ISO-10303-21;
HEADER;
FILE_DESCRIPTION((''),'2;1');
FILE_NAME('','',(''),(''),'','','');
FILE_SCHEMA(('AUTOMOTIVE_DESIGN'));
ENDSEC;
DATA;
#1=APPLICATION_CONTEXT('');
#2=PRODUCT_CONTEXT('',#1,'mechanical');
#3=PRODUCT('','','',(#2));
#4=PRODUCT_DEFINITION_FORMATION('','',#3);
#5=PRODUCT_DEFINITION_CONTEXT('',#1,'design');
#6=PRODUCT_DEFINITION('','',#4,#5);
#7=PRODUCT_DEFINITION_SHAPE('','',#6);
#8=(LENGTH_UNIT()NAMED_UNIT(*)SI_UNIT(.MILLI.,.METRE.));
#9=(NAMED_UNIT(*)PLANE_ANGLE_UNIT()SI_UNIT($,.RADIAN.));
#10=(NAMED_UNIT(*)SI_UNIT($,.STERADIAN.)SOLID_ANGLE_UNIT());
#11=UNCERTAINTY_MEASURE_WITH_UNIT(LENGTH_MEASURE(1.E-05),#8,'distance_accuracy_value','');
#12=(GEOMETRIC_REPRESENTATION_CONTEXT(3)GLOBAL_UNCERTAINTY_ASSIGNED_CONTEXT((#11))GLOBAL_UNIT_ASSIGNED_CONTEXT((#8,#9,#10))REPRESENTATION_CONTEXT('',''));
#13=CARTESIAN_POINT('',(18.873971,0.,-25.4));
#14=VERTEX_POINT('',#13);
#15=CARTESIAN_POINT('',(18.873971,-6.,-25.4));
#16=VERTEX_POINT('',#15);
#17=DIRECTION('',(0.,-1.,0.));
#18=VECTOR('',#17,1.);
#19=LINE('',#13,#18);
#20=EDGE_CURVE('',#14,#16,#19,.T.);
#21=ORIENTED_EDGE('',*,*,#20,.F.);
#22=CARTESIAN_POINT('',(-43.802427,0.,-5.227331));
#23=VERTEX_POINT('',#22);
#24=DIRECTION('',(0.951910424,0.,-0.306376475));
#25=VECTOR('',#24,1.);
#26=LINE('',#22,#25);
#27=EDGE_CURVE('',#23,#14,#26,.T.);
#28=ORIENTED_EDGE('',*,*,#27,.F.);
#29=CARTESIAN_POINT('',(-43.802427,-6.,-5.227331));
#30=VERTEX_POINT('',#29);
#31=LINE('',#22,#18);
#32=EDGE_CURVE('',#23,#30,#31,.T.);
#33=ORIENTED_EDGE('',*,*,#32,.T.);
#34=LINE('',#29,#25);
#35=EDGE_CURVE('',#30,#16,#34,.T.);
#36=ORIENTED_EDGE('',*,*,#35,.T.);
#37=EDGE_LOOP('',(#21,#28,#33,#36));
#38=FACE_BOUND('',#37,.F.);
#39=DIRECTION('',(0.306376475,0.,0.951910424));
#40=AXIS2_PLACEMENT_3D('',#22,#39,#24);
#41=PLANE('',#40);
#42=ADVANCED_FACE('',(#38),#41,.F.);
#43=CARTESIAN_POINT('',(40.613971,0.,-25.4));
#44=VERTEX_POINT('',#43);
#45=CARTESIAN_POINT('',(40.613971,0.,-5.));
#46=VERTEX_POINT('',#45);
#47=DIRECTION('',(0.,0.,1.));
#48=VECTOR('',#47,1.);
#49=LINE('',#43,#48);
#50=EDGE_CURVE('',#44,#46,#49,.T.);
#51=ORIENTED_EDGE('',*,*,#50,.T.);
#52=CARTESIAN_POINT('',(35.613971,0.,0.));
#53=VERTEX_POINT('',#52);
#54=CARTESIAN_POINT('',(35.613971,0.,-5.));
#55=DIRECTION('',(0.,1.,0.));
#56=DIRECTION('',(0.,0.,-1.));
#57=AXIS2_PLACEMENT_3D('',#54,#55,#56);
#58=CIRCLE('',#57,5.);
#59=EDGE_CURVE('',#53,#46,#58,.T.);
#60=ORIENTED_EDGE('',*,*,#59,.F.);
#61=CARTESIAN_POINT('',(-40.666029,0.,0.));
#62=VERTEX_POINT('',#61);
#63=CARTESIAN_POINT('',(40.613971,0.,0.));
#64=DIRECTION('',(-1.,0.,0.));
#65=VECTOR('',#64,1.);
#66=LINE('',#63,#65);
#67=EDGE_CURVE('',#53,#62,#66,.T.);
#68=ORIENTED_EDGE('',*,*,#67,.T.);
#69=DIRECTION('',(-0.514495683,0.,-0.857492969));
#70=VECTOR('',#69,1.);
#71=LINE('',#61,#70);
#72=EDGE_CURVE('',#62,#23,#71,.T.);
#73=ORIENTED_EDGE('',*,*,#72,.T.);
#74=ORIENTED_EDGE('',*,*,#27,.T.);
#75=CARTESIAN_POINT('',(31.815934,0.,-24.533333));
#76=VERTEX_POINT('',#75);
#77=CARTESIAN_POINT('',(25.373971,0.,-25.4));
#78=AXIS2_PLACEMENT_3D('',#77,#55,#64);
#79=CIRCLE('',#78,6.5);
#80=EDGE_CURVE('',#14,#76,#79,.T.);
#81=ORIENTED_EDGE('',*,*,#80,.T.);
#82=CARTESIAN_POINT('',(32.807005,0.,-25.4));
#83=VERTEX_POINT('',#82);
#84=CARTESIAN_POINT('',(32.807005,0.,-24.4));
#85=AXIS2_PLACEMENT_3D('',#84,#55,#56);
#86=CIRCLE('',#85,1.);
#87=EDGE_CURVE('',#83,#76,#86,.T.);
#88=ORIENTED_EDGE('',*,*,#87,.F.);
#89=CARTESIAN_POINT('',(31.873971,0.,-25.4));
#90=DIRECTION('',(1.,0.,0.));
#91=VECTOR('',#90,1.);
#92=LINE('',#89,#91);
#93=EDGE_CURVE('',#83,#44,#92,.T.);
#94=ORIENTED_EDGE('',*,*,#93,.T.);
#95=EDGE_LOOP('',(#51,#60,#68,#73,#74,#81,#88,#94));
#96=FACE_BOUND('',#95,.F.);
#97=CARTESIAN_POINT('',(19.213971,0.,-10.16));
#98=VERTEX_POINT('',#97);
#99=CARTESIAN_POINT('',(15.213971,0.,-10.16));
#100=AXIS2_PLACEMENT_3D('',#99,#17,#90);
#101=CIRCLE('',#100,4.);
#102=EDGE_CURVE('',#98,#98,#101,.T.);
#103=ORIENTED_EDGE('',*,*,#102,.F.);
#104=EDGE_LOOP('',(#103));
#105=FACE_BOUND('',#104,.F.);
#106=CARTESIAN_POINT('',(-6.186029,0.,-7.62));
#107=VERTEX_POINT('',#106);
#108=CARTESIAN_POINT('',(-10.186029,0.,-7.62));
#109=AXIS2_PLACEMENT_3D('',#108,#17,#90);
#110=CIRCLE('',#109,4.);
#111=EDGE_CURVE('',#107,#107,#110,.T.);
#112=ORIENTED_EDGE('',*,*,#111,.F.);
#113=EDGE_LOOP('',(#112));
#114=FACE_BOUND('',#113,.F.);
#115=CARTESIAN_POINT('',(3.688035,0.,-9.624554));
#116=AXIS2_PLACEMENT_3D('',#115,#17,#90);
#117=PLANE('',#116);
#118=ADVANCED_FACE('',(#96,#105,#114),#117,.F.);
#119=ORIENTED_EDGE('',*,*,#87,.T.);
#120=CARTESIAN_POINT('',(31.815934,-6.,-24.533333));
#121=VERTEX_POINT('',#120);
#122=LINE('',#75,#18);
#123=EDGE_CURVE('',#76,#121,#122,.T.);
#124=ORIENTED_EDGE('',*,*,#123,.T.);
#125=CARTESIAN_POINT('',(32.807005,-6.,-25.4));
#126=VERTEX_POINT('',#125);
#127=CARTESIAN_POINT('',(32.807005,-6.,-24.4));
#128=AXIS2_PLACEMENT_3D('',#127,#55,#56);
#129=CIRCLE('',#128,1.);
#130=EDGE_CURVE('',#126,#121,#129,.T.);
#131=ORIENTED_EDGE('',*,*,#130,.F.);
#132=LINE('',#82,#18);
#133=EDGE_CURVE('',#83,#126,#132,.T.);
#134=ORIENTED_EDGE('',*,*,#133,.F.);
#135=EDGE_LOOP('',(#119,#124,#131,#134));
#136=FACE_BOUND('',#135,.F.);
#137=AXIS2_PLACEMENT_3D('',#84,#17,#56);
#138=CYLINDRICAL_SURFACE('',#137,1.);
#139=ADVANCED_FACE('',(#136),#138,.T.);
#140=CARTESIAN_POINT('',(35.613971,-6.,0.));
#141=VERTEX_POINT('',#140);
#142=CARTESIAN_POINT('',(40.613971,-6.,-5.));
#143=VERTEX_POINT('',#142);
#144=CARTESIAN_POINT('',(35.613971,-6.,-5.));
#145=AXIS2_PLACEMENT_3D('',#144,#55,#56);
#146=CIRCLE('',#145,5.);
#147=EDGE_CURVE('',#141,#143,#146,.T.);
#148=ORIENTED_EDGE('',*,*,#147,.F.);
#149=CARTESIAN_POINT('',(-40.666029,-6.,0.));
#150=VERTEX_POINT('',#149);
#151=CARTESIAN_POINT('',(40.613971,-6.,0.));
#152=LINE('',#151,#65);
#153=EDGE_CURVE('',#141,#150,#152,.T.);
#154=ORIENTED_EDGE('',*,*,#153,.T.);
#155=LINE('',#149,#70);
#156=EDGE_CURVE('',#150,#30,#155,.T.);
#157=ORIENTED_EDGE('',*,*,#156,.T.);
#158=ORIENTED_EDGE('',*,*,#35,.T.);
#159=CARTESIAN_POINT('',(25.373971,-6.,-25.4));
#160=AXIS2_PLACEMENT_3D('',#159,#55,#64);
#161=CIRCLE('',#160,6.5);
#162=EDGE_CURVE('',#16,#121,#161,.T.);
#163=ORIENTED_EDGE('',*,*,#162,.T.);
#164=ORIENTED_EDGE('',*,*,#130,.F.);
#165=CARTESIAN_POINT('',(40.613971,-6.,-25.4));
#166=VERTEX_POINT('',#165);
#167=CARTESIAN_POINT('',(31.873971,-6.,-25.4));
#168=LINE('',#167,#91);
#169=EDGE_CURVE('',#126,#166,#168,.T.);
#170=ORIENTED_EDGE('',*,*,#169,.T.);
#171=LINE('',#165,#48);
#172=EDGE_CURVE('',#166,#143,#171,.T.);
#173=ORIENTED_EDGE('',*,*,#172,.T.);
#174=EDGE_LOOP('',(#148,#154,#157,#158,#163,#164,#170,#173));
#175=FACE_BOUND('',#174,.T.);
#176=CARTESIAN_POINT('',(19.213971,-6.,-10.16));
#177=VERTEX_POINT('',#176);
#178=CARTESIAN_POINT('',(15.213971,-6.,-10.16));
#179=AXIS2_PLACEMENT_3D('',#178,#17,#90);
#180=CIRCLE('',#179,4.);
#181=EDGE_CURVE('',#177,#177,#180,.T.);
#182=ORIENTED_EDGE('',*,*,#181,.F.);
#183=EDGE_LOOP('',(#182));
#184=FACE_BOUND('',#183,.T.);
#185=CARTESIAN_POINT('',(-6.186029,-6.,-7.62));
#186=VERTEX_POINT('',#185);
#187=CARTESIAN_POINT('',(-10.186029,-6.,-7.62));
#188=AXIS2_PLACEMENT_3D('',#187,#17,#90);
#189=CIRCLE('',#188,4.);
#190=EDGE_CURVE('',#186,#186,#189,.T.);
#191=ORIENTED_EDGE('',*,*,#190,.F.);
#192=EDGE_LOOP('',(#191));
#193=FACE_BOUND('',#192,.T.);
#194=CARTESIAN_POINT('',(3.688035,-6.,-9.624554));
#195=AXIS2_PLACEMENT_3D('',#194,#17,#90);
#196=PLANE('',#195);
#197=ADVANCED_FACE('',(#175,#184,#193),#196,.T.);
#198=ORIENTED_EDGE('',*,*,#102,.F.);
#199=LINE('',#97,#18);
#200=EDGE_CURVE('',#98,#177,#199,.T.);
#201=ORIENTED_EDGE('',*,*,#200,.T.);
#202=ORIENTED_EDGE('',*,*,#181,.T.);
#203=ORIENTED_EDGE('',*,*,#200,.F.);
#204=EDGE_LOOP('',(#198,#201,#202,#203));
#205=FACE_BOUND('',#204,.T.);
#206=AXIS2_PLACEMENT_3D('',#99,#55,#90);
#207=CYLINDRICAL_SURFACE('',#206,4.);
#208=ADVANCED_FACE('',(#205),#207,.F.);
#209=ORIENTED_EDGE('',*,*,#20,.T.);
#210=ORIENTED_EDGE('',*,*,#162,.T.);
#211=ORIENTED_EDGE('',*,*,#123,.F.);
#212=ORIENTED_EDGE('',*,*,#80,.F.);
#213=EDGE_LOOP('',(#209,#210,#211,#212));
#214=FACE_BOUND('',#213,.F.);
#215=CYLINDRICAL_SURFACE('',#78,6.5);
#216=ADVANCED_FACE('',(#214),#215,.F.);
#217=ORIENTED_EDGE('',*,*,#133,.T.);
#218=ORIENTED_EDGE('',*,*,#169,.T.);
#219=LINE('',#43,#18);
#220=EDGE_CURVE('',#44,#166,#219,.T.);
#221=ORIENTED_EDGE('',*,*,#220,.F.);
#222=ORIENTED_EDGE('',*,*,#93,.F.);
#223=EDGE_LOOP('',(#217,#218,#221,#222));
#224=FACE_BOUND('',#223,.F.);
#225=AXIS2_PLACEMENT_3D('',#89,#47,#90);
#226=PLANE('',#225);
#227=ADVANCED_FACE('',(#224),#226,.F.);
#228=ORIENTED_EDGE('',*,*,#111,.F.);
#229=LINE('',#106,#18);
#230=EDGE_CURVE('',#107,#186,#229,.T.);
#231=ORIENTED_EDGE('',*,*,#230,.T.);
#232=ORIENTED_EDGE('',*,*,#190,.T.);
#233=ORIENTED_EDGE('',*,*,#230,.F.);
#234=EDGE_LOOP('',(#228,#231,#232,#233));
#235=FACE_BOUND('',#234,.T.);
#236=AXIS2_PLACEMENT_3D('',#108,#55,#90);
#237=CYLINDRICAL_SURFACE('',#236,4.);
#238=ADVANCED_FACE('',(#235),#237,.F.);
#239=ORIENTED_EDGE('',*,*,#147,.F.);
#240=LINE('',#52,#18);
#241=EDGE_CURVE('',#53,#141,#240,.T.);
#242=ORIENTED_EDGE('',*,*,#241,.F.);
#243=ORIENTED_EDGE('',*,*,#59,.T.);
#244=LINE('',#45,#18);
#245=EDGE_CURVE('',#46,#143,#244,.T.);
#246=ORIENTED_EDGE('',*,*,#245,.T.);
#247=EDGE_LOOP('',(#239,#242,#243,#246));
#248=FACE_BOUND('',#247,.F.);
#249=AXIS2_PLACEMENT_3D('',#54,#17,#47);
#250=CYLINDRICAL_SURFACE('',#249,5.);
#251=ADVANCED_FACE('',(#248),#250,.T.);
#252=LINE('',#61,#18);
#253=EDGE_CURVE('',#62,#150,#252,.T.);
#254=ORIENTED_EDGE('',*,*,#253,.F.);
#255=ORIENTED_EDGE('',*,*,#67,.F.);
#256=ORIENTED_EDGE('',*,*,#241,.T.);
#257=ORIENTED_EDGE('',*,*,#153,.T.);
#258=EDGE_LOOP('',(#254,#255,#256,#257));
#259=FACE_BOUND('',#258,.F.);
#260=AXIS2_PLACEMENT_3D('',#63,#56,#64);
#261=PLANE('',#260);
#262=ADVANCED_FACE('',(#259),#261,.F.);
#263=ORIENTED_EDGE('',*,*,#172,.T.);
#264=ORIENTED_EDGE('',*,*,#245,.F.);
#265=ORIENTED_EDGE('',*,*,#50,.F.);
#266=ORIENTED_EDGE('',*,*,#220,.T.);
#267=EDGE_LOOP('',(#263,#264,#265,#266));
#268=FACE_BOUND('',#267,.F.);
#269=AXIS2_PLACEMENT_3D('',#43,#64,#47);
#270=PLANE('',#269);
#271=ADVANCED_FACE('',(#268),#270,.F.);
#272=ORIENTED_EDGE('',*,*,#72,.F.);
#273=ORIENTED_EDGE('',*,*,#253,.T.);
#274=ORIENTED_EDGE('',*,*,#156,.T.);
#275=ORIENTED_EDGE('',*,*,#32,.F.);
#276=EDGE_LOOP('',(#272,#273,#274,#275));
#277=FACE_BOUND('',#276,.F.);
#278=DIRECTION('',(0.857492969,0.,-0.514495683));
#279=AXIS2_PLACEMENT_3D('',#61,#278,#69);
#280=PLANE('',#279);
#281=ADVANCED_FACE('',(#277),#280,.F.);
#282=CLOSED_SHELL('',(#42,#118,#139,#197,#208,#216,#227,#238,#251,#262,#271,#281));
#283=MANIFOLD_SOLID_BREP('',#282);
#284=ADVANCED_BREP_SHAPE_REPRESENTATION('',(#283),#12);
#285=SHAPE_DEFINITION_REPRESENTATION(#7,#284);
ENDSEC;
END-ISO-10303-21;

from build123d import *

# Parameters (mm, degrees)
F0_R     = 4
F1_DEPTH = 6
F2_R     = 5
F3_R     = 1


with BuildPart() as f1:
    # F0 (on Front) → F1 (new body)
    with BuildSketch(Plane.XZ):
        with BuildLine():
            Line((40.613971, 0), (-40.666029, 0))
            Line((-40.666029, 0), (-43.802427, -5.227331))
            Line((-43.802427, -5.227331), (18.873971, -25.4))
            ThreePointArc((18.873971, -25.4), (25.373971, -18.9), (31.873971, -25.4))
            Line((31.873971, -25.4), (35.371493, -25.4))
            Line((35.371493, -25.4), (40.613971, -25.4))
            Line((40.613971, -25.4), (40.613971, -10.16))
            Line((40.613971, -10.16), (40.613971, -7.62))
            Line((40.613971, -7.62), (40.613971, -6.35))
            Line((40.613971, -6.35), (40.613971, 0))
        make_face()
        with Locations((-10.186029, -7.62)):
            Circle(F0_R, mode=Mode.SUBTRACT)
        with Locations((15.213971, -10.16)):
            Circle(F0_R, mode=Mode.SUBTRACT)
    extrude(amount=F1_DEPTH)

    # F2
    f2_edges = [f1.edges().sort_by_distance(p)[0] for p in [
        (40.613971, -3, 0),
    ]]
    fillet(f2_edges, radius=F2_R)

    # F3
    f3_edges = [f1.edges().sort_by_distance(p)[0] for p in [
        (31.873971, -3, -25.4),
    ]]
    fillet(f3_edges, radius=F3_R)


solid = f1.part
